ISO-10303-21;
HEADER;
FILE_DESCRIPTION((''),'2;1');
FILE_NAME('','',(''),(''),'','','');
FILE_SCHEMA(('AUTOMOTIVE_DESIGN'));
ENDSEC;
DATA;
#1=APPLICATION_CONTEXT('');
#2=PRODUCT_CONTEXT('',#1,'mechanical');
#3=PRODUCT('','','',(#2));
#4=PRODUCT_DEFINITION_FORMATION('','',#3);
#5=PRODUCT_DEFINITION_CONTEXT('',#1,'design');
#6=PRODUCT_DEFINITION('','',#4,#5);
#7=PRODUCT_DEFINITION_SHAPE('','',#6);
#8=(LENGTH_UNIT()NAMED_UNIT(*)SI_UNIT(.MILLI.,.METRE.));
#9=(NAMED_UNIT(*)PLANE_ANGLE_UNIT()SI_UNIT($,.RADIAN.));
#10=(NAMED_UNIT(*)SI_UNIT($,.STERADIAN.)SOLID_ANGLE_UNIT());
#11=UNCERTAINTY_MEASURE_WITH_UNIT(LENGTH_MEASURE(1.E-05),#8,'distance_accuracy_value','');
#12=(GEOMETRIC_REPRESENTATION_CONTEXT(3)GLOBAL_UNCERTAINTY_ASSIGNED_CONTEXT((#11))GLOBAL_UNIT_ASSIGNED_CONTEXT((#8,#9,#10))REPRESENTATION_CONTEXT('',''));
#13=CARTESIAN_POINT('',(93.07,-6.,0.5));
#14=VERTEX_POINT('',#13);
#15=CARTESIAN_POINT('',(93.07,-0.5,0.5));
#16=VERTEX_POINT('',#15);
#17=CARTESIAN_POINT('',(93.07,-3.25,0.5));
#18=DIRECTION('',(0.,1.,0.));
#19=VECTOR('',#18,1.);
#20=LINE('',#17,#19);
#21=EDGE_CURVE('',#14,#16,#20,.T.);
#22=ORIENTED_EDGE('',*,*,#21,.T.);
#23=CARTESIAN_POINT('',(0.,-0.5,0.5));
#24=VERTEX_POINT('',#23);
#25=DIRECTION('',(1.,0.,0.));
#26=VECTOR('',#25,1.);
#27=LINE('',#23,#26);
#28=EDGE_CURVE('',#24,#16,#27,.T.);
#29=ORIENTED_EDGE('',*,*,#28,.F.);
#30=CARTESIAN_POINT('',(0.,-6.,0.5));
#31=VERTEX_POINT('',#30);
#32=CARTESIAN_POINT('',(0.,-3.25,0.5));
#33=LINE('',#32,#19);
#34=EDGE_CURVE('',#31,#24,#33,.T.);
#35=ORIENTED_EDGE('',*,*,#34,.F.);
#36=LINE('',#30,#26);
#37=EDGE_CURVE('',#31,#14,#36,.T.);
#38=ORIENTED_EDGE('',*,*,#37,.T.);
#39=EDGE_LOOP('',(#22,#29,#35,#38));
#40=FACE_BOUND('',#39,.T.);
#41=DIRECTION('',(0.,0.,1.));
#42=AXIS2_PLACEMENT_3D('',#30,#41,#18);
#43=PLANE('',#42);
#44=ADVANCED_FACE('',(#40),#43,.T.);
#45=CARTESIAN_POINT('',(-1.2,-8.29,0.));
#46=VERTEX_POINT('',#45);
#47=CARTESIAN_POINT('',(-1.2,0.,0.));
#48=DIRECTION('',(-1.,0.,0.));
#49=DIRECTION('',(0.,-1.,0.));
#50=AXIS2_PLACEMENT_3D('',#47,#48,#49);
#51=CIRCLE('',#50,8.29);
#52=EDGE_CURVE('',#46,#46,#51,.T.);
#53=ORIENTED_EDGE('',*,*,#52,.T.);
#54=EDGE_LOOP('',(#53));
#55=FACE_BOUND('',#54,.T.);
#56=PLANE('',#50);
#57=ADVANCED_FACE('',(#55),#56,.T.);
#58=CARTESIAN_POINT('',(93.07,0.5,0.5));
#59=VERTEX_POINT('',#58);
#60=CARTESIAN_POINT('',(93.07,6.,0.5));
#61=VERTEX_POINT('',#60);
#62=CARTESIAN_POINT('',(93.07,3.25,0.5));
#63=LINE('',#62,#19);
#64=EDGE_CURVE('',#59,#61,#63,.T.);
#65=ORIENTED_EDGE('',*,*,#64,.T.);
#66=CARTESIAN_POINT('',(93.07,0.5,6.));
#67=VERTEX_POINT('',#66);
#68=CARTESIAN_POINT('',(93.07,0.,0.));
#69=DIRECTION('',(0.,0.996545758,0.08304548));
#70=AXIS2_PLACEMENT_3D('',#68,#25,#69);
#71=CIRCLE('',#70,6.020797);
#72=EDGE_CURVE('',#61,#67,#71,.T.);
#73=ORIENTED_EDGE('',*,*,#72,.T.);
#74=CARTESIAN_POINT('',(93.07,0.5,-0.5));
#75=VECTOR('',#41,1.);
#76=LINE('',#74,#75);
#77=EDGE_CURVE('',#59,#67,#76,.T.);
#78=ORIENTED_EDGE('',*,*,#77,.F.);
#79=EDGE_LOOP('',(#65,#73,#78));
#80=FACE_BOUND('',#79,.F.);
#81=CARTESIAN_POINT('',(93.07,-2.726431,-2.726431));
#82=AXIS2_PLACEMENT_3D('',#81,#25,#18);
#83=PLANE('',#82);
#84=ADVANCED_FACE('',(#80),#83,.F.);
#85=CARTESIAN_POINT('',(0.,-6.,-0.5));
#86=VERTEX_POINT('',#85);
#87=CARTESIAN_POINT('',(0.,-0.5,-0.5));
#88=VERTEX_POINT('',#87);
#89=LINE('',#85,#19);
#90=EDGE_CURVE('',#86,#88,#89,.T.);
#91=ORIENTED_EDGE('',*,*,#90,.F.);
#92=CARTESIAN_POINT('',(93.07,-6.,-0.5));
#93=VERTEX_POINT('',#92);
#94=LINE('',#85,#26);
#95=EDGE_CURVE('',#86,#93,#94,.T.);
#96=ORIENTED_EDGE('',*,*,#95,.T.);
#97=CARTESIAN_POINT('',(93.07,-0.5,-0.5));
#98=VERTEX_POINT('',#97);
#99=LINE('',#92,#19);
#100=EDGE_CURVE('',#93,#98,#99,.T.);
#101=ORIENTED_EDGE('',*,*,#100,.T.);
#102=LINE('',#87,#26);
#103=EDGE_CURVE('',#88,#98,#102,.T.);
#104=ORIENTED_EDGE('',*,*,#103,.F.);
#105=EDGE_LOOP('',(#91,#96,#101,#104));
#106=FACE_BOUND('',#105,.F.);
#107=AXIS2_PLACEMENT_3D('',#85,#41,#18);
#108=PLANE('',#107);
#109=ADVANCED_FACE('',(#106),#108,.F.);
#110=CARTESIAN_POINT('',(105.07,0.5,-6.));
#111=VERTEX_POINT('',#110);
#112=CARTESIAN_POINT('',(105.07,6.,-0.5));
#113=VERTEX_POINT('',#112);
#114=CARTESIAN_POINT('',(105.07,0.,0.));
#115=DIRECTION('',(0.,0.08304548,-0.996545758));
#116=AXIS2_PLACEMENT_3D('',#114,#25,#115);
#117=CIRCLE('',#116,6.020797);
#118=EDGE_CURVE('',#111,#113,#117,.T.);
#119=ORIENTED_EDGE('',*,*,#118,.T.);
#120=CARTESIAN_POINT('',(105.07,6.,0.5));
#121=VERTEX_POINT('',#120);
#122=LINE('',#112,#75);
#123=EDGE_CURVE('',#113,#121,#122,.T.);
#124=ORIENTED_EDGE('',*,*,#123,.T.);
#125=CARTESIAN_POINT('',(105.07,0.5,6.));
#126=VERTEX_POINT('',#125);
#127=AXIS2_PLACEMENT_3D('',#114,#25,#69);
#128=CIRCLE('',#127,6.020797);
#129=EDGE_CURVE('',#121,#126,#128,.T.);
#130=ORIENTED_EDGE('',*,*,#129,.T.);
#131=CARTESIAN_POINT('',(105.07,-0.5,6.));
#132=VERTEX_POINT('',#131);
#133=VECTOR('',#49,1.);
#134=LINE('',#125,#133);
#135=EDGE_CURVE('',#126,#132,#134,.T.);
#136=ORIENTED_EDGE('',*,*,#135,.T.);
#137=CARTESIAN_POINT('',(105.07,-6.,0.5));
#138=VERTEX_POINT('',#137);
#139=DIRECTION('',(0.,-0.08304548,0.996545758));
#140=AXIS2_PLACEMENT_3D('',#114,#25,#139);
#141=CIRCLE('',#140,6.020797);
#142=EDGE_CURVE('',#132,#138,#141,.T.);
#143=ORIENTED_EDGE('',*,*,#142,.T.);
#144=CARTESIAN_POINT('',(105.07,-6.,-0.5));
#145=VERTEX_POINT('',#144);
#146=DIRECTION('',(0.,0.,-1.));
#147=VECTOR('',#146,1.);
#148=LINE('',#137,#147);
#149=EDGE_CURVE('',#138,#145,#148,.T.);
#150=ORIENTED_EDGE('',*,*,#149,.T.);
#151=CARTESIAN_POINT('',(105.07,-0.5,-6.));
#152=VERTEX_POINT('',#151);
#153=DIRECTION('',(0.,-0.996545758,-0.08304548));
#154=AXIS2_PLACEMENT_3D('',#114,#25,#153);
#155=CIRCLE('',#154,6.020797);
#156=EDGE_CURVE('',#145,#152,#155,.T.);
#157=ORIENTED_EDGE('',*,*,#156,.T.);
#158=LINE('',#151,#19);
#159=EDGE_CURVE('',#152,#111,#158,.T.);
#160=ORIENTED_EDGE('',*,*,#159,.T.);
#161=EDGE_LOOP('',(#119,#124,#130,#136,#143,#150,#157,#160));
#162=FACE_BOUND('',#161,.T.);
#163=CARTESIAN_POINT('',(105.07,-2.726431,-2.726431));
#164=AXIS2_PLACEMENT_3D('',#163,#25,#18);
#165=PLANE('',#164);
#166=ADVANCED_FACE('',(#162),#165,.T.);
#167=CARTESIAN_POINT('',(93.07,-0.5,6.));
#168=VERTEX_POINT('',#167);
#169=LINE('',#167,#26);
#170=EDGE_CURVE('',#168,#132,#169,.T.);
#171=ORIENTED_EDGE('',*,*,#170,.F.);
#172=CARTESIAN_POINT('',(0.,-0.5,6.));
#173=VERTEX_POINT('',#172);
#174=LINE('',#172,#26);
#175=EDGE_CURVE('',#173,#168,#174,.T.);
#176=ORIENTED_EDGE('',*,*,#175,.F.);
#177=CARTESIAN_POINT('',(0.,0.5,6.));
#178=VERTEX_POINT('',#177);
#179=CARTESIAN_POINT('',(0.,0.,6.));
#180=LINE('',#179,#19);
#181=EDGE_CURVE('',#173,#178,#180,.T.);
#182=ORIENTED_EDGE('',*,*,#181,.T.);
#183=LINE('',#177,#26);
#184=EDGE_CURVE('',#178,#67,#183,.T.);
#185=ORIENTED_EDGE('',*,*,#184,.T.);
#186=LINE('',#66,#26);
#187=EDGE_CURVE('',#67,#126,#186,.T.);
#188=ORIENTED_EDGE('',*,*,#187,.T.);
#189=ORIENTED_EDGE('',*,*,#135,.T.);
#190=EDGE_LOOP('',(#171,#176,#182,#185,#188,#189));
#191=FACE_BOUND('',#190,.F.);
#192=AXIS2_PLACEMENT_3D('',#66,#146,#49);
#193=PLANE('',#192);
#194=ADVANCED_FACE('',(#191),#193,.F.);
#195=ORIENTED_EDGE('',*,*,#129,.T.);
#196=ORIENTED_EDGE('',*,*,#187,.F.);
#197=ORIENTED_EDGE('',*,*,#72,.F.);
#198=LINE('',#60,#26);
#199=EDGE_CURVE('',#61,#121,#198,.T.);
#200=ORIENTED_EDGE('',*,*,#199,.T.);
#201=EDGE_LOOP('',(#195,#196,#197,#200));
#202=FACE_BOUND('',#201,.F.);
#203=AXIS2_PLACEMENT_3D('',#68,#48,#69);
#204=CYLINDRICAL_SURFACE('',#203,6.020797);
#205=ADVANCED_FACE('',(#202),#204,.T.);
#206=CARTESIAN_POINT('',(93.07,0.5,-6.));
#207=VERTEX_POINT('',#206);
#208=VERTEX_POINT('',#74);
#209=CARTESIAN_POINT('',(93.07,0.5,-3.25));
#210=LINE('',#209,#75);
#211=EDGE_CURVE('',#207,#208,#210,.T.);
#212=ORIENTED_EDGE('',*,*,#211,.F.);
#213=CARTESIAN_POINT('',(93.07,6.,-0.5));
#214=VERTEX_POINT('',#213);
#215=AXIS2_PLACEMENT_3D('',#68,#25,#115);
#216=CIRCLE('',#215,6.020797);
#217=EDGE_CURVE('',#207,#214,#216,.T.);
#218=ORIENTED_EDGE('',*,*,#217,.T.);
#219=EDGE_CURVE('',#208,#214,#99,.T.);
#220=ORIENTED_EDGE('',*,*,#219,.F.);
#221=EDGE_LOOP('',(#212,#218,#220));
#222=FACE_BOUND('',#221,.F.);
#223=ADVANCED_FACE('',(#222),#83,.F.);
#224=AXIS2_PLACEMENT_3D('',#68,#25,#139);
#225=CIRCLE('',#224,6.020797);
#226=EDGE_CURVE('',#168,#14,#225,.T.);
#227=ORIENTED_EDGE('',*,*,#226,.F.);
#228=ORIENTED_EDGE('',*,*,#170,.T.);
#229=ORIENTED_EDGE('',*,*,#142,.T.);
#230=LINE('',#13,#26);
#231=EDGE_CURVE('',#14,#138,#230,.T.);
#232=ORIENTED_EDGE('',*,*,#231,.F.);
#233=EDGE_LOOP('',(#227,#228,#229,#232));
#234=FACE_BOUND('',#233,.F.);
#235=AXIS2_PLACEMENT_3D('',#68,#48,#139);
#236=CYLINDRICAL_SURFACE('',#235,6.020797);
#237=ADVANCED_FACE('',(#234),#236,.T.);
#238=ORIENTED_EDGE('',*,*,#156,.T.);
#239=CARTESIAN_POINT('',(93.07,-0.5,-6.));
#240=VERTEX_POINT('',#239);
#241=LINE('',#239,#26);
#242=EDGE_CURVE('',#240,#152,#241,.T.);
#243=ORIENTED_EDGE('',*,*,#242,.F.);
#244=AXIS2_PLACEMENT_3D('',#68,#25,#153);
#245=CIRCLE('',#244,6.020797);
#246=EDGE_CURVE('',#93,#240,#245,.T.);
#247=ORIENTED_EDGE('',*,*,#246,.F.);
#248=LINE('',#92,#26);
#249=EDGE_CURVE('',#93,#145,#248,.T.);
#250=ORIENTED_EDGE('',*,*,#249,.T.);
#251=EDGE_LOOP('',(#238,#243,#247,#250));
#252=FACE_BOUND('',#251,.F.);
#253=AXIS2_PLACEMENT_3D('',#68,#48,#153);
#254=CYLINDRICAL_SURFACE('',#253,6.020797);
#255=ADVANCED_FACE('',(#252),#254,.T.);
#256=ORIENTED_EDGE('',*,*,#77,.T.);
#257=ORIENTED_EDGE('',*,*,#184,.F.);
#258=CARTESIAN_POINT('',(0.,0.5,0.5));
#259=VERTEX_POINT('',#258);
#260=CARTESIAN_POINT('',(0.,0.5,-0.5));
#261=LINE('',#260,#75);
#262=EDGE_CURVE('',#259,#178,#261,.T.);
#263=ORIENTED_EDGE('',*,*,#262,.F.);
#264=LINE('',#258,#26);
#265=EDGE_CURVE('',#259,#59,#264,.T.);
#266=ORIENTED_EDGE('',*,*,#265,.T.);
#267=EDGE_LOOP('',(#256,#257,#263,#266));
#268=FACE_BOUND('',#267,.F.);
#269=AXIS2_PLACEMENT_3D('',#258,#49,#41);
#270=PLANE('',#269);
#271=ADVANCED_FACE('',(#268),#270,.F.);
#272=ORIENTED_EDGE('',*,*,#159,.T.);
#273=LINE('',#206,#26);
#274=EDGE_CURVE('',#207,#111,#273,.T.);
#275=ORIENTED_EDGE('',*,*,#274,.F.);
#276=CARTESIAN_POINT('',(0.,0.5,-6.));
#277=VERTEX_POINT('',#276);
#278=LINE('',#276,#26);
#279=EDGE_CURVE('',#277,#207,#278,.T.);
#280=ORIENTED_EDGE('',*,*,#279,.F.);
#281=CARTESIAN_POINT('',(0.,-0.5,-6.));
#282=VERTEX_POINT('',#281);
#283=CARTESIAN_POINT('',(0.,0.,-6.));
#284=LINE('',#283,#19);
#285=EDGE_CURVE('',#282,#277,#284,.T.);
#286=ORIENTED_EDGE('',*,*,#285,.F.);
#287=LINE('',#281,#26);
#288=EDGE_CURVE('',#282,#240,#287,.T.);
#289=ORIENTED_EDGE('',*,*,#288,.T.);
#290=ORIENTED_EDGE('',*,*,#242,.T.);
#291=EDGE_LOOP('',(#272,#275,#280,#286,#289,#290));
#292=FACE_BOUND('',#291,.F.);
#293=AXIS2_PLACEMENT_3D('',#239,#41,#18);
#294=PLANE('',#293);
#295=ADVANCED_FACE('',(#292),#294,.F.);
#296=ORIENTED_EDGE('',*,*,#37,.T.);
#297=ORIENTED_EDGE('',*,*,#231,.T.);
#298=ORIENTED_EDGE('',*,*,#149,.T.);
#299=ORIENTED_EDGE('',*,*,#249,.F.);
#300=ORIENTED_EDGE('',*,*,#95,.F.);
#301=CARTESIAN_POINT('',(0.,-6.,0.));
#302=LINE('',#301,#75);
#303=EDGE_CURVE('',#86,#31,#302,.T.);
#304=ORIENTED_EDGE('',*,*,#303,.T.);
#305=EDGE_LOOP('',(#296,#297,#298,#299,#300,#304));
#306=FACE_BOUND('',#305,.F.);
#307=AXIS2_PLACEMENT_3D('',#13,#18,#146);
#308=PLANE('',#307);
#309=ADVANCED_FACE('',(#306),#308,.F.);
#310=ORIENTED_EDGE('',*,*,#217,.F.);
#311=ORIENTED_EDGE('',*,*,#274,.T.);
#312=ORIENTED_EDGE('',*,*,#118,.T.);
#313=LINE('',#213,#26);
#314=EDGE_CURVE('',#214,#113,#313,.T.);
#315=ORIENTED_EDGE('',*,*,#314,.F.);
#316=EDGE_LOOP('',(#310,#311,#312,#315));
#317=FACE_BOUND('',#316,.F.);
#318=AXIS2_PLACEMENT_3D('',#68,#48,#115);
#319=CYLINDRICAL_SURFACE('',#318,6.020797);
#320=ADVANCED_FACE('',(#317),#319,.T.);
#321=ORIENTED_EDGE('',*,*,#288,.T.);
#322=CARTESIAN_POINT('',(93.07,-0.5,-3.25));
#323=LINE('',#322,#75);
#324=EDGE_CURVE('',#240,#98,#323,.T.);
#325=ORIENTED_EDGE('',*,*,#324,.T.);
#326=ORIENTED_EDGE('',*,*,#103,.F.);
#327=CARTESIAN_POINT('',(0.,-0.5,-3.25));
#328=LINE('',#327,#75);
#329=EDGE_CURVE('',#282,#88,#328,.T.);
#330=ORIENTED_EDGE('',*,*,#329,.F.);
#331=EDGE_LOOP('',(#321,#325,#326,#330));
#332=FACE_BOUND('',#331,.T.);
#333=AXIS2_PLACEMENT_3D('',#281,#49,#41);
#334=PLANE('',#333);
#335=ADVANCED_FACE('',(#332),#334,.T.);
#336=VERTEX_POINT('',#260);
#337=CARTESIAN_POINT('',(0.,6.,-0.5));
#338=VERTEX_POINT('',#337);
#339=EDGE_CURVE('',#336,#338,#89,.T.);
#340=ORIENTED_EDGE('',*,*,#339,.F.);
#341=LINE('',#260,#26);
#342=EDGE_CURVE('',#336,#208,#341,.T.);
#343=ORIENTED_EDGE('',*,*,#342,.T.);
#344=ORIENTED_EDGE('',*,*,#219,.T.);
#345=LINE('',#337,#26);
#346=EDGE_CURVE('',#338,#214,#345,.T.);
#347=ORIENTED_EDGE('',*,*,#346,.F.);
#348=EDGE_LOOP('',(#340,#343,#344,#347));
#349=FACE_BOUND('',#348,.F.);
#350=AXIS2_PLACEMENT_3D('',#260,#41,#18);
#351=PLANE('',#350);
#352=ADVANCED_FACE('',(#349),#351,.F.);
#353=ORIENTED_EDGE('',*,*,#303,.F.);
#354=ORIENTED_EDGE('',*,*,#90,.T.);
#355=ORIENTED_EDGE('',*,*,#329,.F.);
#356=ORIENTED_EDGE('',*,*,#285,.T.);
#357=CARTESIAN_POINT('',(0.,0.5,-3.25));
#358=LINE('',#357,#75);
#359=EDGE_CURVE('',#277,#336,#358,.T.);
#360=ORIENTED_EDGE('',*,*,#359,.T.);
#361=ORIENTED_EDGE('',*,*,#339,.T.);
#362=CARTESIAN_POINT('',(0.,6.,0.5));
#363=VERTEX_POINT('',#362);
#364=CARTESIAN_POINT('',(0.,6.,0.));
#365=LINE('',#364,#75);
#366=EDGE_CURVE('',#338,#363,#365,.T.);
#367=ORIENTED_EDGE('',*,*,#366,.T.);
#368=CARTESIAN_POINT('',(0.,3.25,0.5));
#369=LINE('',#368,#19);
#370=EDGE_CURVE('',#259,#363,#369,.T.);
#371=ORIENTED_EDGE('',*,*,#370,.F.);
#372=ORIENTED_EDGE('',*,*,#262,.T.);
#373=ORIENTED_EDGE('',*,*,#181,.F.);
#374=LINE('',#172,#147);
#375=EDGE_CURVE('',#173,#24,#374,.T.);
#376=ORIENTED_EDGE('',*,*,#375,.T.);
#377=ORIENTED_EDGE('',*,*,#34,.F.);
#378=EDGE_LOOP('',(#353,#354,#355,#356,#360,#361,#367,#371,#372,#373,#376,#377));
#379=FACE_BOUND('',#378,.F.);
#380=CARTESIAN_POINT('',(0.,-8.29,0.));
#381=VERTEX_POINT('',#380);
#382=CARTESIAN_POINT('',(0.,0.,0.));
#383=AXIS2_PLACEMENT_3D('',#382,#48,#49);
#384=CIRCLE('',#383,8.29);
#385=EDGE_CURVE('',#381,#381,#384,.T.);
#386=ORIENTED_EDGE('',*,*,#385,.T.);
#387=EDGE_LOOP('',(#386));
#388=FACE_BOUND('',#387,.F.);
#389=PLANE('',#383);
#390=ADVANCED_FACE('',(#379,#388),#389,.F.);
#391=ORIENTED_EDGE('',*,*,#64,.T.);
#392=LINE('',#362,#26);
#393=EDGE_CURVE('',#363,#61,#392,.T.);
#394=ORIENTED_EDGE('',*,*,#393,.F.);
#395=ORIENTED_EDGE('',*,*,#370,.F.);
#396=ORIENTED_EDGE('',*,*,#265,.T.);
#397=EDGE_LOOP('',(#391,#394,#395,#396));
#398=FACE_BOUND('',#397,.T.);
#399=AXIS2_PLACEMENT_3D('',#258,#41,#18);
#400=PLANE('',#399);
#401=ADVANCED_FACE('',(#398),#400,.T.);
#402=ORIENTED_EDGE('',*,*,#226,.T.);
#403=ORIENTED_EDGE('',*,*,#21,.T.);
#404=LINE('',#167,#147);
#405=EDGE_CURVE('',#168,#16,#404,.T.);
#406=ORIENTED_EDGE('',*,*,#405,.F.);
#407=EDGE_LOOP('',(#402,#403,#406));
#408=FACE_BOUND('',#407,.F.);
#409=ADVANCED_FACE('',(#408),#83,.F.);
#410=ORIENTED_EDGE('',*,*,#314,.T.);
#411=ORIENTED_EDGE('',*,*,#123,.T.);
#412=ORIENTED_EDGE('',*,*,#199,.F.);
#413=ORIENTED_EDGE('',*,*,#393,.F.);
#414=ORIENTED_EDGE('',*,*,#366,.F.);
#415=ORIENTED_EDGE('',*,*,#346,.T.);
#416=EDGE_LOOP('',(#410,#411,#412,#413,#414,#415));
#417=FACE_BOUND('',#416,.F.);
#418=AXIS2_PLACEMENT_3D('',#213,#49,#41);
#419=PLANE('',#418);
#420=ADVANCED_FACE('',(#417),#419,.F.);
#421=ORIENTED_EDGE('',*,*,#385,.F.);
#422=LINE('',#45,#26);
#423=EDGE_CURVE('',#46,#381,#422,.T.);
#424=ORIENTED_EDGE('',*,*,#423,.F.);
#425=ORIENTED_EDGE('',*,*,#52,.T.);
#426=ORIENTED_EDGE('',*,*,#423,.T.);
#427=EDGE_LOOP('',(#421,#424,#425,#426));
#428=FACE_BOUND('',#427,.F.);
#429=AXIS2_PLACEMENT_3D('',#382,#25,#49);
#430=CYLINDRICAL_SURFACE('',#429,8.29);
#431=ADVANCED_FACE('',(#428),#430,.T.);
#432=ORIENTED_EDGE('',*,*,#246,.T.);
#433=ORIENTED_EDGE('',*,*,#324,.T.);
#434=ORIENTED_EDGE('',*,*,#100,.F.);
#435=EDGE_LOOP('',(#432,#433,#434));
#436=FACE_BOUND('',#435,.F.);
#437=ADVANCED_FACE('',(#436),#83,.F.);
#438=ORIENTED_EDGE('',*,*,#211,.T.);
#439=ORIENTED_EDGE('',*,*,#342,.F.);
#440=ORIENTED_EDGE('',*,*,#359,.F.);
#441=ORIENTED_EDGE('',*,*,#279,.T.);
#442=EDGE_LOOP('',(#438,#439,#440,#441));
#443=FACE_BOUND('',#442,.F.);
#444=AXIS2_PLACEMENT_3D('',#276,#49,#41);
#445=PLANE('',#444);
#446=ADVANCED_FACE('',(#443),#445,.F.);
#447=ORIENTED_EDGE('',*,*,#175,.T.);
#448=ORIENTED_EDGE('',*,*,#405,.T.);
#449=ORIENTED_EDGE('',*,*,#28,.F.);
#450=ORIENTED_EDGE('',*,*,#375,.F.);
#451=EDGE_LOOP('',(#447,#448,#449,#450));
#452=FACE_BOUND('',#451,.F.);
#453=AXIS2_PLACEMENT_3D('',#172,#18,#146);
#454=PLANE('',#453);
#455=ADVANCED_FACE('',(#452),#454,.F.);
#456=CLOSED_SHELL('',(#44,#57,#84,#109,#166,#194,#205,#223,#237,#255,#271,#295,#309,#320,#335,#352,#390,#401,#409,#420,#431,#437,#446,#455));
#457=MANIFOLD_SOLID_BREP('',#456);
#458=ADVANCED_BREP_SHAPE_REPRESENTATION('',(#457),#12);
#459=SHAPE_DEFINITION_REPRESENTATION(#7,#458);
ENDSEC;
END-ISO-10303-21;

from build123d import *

# Parameters (mm, degrees)
F0_W     = 1
F0_H     = 5.5
F0_H_2   = 1
F0_W_2   = 5.5
F1_DEPTH = 93.07
F3_DEPTH = 12
F4_R     = 8.29
F5_DEPTH = 1
F6_DEPTH = 1.2
F7_DEPTH = 1.2


with BuildPart() as f1:
    # F0 (on Right) → F1 (new body)
    with BuildSketch(Plane.YZ):
        with Locations((0, 3.25)):
            Rectangle(F0_W, F0_H)
        Rectangle(F0_W, F0_H_2)
        with Locations((3.25, 0)):
            Rectangle(F0_W_2, F0_H_2)
        with Locations((-3.25, 0)):
            Rectangle(F0_W_2, F0_H_2)
        with Locations((0, -3.25)):
            Rectangle(F0_W, F0_H)
    extrude(amount=F1_DEPTH)

    # F2 (on face) → F3 (join)
    with BuildSketch(Plane.YZ.offset(93.07)):
        with BuildLine():
            ThreePointArc((-6, -0.5), (-4.2573465915, -4.2573465915), (-0.5, -6))
            Line((-0.5, -6), (-0.5, -0.5))
            Line((-0.5, -0.5), (-6, -0.5))
        make_face()
        with BuildLine():
            ThreePointArc((0.5, -6), (4.2573465915, -4.2573465915), (6, -0.5))
            Line((6, -0.5), (0.5, -0.5))
            Line((0.5, -0.5), (0.5, -6))
        make_face()
        Polygon((6, -0.5), (6, 0.5), (0.5, 0.5), (0.5, 6), (-0.5, 6), (-0.5, 0.5), (-6, 0.5), (-6, -0.5), (-0.5, -0.5), (-0.5, -6), (0.5, -6), (0.5, -0.5), align=None)
        with BuildLine():
            Line((-0.5, 0.5), (-0.5, 6))
            ThreePointArc((-0.5, 6), (-4.2573465915, 4.2573465915), (-6, 0.5))
            Line((-6, 0.5), (-0.5, 0.5))
        make_face()
        with BuildLine():
            Line((0.5, 0.5), (6, 0.5))
            ThreePointArc((6, 0.5), (4.2573465915, 4.2573465915), (0.5, 6))
            Line((0.5, 6), (0.5, 0.5))
        make_face()
    extrude(amount=F3_DEPTH)

    # F4 (on face) → F5 (join)
    with BuildSketch(Plane(origin=(0, 0, 0), x_dir=(0, -1, 0), z_dir=(-1, 0, 0))):
        Circle(F4_R)
        Polygon((-0.5, 6), (0.5, 6), (0.5, 0.5), (6, 0.5), (6, -0.5), (0.5, -0.5), (0.5, -6), (-0.5, -6), (-0.5, -0.5), (-6, -0.5), (-6, 0.5), (-0.5, 0.5), align=None, mode=Mode.SUBTRACT)
        Polygon((0.5, 0.5), (0.5, 6), (-0.5, 6), (-0.5, 0.5), (-6, 0.5), (-6, -0.5), (-0.5, -0.5), (-0.5, -6), (0.5, -6), (0.5, -0.5), (6, -0.5), (6, 0.5), align=None)
    extrude(amount=F5_DEPTH)

    # F4 (on face) → F6 (join)
    with BuildSketch(Plane(origin=(0, 0, 0), x_dir=(0, -1, 0), z_dir=(-1, 0, 0))):
        Circle(F4_R)
        Polygon((-0.5, 6), (0.5, 6), (0.5, 0.5), (6, 0.5), (6, -0.5), (0.5, -0.5), (0.5, -6), (-0.5, -6), (-0.5, -0.5), (-6, -0.5), (-6, 0.5), (-0.5, 0.5), align=None, mode=Mode.SUBTRACT)
    extrude(amount=F6_DEPTH)

    # F4 (on face) → F7 (join)
    with BuildSketch(Plane(origin=(0, 0, 0), x_dir=(0, -1, 0), z_dir=(-1, 0, 0))):
        Polygon((0.5, 0.5), (0.5, 6), (-0.5, 6), (-0.5, 0.5), (-6, 0.5), (-6, -0.5), (-0.5, -0.5), (-0.5, -6), (0.5, -6), (0.5, -0.5), (6, -0.5), (6, 0.5), align=None)
    extrude(amount=F7_DEPTH)


solid = f1.part
